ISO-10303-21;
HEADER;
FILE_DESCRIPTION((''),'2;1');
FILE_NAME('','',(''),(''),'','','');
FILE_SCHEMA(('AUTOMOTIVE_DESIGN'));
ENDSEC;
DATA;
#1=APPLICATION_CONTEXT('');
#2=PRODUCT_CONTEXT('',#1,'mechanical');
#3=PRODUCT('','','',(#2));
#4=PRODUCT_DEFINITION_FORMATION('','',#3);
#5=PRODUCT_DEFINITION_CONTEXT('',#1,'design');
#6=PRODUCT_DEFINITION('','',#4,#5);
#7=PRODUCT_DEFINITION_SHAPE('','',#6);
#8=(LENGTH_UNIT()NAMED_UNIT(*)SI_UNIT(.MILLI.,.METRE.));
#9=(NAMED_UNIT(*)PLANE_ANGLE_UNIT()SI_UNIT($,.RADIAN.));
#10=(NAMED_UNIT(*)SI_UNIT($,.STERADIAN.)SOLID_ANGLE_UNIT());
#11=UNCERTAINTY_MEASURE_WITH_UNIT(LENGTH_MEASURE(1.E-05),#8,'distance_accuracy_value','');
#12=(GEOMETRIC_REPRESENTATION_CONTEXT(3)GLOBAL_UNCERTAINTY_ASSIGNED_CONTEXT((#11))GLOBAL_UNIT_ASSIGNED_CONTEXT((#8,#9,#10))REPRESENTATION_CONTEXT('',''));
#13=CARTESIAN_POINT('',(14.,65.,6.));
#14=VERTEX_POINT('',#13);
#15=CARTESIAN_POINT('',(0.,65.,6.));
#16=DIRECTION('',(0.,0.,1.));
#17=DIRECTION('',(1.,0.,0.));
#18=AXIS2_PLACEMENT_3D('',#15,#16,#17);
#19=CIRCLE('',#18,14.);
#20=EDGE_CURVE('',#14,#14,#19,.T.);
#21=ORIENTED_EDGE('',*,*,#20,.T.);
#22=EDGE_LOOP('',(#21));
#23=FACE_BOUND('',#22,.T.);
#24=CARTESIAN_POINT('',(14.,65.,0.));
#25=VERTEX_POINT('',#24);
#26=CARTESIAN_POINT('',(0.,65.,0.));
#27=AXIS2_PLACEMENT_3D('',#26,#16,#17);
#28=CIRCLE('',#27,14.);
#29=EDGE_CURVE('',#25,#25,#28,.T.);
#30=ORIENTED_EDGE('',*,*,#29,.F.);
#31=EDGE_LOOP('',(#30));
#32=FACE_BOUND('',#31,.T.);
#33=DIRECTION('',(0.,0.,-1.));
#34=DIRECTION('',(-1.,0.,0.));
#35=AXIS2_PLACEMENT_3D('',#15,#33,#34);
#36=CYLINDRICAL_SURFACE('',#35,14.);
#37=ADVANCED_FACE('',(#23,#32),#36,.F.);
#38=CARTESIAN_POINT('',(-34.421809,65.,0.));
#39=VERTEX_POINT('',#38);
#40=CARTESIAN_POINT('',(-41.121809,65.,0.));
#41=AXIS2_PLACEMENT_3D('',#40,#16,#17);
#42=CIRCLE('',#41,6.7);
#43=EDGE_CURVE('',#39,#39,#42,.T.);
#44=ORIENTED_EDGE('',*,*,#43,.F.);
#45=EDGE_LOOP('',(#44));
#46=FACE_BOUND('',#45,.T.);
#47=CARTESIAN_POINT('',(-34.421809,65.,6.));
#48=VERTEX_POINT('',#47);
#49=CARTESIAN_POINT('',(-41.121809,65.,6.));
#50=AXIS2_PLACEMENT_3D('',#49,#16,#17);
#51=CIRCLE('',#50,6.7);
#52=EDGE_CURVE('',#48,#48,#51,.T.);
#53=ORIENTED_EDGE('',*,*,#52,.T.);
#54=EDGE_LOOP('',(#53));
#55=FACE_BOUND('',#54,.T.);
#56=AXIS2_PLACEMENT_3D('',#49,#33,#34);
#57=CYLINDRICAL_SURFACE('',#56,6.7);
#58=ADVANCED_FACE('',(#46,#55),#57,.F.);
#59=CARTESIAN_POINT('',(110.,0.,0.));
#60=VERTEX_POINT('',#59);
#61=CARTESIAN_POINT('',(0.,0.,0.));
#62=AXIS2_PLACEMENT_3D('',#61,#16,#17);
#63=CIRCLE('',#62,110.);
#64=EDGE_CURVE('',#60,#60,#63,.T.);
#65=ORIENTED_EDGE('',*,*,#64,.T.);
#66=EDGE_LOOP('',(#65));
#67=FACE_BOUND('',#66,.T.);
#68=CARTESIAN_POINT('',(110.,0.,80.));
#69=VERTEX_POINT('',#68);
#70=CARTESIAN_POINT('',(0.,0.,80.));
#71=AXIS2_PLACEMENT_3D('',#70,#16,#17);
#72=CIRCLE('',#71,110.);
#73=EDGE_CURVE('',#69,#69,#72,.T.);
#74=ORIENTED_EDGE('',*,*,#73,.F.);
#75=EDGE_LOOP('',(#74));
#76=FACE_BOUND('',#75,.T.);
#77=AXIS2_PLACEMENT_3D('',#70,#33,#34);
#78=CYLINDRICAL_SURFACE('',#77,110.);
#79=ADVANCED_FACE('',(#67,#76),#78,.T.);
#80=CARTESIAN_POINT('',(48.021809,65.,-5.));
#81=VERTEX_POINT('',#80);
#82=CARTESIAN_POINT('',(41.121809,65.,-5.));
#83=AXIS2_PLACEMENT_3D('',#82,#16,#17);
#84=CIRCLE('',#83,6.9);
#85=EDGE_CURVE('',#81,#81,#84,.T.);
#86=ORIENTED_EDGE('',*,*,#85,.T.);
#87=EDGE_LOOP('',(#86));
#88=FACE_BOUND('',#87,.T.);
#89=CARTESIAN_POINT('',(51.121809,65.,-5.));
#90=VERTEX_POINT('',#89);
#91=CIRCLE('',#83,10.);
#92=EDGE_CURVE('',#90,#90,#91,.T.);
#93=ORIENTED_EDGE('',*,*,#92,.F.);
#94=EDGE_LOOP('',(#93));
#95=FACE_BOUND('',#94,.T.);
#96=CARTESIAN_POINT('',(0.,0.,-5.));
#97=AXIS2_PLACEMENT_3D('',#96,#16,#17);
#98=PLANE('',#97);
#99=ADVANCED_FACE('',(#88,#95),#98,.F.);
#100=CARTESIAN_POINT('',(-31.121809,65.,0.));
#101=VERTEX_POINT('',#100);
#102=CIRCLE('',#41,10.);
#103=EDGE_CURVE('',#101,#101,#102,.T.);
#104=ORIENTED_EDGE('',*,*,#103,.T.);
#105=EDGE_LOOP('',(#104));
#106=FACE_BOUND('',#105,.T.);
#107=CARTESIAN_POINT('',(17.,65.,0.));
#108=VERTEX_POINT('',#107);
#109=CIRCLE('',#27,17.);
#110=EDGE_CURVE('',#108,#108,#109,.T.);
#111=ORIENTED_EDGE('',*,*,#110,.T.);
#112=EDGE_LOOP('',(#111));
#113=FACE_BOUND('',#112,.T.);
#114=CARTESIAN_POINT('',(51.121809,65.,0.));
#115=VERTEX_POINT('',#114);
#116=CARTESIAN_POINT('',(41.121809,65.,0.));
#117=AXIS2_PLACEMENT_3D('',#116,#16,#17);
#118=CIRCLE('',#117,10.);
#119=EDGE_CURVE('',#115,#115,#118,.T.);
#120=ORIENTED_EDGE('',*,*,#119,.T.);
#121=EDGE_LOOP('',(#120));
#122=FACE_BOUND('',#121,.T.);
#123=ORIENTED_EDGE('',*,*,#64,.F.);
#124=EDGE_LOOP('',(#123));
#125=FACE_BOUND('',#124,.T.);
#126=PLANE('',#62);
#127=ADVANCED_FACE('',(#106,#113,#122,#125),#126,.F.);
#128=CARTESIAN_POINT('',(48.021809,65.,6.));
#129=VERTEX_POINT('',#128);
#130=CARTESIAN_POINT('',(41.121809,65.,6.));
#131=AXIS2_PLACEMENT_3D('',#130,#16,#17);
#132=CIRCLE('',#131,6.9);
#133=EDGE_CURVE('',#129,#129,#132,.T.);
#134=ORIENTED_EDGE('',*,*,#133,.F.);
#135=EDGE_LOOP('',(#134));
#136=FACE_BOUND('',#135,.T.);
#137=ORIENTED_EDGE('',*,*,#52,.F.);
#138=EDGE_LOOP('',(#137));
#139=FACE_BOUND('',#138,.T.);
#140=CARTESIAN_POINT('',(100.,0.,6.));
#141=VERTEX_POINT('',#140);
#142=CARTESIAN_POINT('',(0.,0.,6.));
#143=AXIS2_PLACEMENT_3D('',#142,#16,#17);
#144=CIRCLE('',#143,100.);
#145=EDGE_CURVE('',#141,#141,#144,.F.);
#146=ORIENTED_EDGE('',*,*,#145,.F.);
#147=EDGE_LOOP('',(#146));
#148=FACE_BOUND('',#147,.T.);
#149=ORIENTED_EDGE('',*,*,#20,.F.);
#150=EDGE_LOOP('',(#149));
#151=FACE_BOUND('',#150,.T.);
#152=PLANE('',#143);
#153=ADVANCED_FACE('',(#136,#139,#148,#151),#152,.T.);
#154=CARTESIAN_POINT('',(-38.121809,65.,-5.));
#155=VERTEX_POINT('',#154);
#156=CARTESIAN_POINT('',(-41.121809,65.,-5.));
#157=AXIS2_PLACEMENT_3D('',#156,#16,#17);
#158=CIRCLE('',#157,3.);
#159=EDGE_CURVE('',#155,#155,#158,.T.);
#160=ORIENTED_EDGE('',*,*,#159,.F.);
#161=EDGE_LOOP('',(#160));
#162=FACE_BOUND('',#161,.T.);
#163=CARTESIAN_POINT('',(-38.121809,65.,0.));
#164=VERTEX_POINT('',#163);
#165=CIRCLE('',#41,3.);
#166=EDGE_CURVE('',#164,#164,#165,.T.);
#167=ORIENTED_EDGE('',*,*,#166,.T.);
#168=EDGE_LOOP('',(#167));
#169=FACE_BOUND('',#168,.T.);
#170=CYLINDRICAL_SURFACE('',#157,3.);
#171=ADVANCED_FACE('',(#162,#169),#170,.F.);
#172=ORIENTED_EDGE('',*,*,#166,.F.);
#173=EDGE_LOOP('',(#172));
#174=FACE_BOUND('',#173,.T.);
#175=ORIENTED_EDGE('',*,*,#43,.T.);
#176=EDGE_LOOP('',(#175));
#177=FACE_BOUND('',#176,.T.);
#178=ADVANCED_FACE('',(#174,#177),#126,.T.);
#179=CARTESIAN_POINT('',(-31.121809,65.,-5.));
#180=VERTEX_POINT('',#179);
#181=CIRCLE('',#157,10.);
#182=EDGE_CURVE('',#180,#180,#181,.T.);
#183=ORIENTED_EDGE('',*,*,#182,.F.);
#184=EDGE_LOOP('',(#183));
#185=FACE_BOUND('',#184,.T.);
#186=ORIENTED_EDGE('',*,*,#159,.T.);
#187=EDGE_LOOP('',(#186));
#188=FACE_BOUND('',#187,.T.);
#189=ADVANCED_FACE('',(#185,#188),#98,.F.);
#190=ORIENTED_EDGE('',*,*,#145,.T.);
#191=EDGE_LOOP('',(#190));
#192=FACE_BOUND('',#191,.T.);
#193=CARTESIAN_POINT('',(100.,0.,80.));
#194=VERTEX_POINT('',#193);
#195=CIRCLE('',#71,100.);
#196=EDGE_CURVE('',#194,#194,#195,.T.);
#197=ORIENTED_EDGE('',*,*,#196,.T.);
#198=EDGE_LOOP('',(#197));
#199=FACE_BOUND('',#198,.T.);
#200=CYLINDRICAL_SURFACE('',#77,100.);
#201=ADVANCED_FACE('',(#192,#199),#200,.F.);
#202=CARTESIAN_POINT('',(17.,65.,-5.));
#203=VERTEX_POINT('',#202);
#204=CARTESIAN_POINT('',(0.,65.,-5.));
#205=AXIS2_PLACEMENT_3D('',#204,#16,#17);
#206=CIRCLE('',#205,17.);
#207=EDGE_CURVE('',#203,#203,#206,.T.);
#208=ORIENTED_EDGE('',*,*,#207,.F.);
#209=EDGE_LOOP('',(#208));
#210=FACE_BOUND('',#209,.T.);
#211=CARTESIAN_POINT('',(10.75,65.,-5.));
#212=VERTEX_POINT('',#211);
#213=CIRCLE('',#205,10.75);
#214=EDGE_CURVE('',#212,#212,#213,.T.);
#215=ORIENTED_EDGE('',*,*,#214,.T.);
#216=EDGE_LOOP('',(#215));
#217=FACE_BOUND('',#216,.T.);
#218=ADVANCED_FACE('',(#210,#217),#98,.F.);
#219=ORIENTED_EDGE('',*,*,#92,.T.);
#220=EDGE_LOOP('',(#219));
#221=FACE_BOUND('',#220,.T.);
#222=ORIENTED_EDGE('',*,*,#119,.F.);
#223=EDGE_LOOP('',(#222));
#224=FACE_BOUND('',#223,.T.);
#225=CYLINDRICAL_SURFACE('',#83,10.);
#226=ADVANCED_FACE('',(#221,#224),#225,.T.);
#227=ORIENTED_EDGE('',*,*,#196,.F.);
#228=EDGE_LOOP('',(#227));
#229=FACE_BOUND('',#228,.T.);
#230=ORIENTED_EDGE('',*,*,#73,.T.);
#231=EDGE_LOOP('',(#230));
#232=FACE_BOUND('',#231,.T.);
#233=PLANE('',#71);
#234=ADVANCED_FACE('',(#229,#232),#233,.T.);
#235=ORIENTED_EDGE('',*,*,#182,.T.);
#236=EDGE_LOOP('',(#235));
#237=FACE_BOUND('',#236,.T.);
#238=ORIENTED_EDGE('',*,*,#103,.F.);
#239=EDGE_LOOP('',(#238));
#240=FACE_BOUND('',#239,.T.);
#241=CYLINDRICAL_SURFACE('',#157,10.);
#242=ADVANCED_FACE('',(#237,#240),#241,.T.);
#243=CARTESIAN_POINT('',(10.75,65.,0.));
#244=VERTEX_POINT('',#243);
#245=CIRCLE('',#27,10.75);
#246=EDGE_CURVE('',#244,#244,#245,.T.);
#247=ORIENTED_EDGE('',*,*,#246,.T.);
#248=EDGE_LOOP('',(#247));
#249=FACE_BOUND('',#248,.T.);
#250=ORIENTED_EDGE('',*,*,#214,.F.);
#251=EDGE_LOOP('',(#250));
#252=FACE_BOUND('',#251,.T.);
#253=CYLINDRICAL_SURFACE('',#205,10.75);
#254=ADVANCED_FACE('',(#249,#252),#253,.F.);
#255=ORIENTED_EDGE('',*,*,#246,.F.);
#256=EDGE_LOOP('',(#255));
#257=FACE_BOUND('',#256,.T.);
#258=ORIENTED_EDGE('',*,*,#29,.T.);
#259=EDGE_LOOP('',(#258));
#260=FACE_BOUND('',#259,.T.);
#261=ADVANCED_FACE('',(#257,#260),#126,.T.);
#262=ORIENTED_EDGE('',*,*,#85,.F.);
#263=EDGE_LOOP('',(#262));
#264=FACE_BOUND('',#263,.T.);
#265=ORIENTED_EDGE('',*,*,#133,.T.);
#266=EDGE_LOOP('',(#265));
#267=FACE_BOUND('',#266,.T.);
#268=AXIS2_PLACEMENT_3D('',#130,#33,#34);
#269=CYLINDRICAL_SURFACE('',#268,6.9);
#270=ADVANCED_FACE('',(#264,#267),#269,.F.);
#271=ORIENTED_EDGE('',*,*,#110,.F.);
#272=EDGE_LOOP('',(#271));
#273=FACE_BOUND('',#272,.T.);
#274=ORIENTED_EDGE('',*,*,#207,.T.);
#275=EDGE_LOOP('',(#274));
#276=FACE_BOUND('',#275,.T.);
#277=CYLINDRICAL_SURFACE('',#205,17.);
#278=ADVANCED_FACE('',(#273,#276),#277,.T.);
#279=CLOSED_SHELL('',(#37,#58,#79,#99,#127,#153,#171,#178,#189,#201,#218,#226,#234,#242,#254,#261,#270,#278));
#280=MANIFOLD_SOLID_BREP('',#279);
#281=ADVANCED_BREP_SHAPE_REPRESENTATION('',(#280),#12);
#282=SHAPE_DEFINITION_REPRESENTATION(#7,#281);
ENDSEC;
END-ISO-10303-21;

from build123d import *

# Parameters (mm, degrees)
SKETCH1_R           = 100
SKETCH1_R_2         = 14
BOSS_EXTRUDE1_DEPTH = 6
SKETCH1_3_R         = 110
SKETCH1_3_R_2       = 100
BOSS_EXTRUDE2_DEPTH = 80
BOSS_EXTRUDE3_START = -5
SKETCH1_10_R        = 17
SKETCH1_10_R_2      = 10.75
SKETCH1_10_R_3      = 10
SKETCH1_10_R_4      = 3
BOSS_EXTRUDE3_DEPTH = 5


with BuildPart() as part:
    # Sketch1 → Boss-Extrude1 (new body)
    with BuildSketch(Plane.XY):
        Circle(SKETCH1_R)
        with Locations((0, 65)):
            Circle(SKETCH1_R_2, mode=Mode.SUBTRACT)
        with BuildLine():
            ThreePointArc((-47.821809018, 65), (-41.121809018, 71.7), (-34.421809018, 65))
            ThreePointArc((-34.421809018, 65), (-41.121809018, 58.3), (-47.821809018, 65))
        make_face(mode=Mode.SUBTRACT)
        with BuildLine():
            ThreePointArc((48.021809018, 65), (41.121809018, 58.1), (34.221809018, 65))
            ThreePointArc((34.221809018, 65), (41.121809018, 71.9), (48.021809018, 65))
        make_face(mode=Mode.SUBTRACT)
    extrude(amount=BOSS_EXTRUDE1_DEPTH)

    # Sketch1<3> → Boss-Extrude2 (add)
    with BuildSketch(Plane.XY):
        Circle(SKETCH1_3_R)
        Circle(SKETCH1_3_R_2, mode=Mode.SUBTRACT)
    extrude(amount=BOSS_EXTRUDE2_DEPTH)

    # Sketch1<10> → Boss-Extrude3 (add)
    # profile 1 of 3: a face of its own
    with BuildSketch(Plane.XY.offset(BOSS_EXTRUDE3_START)):
        with Locations((0, 65)):
            Circle(SKETCH1_10_R)
        with Locations((0, 65)):
            Circle(SKETCH1_10_R_2, mode=Mode.SUBTRACT)
    # profile 2 of 3: a face of its own
    with BuildSketch(Plane.XY.offset(BOSS_EXTRUDE3_START)):
        with Locations((41.121809018, 65)):
            Circle(SKETCH1_10_R_3)
        with BuildLine():
            ThreePointArc((48.021809018, 65), (41.121809018, 58.1), (34.221809018, 65))
            ThreePointArc((34.221809018, 65), (41.121809018, 71.9), (48.021809018, 65))
        make_face(mode=Mode.SUBTRACT)
    # profile 3 of 3: a face of its own
    with BuildSketch(Plane.XY.offset(BOSS_EXTRUDE3_START)):
        with Locations((-41.121809018, 65)):
            Circle(SKETCH1_10_R_3)
        with Locations((-41.121809018, 65)):
            Circle(SKETCH1_10_R_4, mode=Mode.SUBTRACT)
    extrude(amount=BOSS_EXTRUDE3_DEPTH)


solid = part.part
